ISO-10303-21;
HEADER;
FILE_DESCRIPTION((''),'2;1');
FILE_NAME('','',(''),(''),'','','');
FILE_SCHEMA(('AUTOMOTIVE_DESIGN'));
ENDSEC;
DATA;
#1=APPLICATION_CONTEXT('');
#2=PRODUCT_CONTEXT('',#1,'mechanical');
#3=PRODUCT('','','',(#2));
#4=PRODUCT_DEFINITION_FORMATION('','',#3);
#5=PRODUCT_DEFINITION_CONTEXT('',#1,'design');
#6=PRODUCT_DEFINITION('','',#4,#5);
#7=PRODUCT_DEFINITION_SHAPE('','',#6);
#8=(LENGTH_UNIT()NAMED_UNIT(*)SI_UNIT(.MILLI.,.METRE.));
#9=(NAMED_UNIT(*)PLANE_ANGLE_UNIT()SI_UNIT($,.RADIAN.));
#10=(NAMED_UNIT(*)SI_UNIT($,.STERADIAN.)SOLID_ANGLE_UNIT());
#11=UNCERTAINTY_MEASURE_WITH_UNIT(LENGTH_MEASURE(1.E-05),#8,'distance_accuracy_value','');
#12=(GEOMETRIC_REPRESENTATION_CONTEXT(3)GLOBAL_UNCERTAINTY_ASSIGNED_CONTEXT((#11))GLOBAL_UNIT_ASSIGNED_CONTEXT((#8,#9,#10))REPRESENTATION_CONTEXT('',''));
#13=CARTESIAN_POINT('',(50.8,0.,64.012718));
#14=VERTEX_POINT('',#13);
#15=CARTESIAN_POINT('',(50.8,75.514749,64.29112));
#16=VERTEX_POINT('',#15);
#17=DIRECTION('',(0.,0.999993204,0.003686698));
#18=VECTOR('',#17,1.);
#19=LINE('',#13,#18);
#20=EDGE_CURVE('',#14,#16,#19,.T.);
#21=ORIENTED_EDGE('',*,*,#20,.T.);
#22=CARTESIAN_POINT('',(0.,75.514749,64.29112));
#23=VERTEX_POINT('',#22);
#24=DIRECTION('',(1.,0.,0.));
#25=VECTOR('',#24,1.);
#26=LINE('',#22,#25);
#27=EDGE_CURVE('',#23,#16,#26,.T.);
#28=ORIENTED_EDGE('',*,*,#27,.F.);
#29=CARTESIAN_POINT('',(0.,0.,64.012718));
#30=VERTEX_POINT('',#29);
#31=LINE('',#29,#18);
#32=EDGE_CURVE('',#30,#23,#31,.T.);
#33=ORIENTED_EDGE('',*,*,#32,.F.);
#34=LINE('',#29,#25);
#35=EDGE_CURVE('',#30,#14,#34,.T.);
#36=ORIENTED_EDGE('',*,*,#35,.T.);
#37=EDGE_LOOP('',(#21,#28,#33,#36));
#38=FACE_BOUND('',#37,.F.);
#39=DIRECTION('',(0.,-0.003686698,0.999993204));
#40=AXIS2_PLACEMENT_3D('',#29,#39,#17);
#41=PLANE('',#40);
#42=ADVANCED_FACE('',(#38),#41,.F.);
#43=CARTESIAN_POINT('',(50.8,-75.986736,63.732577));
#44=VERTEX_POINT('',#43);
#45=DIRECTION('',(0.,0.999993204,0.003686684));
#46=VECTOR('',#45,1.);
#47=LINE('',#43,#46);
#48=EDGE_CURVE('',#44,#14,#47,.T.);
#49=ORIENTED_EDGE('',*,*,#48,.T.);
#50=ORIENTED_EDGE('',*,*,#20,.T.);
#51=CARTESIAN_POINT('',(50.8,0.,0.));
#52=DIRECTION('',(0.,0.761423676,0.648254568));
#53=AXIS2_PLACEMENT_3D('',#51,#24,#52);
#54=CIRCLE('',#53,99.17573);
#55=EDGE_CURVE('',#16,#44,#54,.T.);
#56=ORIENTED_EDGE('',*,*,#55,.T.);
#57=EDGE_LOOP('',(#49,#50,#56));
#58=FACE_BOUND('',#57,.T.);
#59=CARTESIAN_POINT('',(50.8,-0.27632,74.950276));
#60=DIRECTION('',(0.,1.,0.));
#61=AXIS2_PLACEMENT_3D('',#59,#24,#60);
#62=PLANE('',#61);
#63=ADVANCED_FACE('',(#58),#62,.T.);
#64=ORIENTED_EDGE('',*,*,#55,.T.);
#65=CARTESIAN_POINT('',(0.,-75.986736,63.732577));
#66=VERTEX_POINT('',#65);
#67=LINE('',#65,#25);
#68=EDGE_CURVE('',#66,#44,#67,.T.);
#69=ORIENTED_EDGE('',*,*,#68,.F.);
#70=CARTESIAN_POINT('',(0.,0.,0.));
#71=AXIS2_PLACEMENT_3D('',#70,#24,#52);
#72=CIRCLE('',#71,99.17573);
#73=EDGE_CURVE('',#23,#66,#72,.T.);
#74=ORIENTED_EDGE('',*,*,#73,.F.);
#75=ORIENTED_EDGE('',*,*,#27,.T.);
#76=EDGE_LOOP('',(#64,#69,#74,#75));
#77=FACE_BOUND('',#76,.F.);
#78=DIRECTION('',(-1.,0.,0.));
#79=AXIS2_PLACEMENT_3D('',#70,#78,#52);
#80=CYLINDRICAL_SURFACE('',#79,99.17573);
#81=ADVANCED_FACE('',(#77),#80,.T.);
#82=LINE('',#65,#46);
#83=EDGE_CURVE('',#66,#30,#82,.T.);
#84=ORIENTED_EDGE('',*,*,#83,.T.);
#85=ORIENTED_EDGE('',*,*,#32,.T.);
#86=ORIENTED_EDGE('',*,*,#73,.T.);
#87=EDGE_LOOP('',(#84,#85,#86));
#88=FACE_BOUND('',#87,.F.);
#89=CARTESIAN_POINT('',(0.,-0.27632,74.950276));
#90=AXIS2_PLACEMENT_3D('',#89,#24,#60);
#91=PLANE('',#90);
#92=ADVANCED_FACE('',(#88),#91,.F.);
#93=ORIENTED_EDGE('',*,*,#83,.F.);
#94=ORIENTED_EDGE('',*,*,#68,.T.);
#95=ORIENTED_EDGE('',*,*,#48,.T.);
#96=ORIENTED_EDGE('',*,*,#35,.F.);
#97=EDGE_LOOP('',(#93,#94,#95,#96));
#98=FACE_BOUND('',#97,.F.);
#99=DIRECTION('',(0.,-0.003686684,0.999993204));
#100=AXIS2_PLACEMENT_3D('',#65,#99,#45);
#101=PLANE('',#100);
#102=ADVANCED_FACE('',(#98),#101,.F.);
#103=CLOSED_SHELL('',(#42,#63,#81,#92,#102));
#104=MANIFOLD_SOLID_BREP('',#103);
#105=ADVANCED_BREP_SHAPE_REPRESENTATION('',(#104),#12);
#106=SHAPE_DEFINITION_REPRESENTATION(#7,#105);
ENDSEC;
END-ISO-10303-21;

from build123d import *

# Parameters (mm, degrees)
F2_DEPTH = 50.8


with BuildPart() as f2:
    # F0 (on Right) → F2 (new body)
    with BuildSketch(Plane.YZ):
        with BuildLine():
            Line((0, 64.012718), (75.514749, 64.29112))
            ThreePointArc((75.514749, 64.29112), (-0.36563, 99.175056), (-75.986736, 63.732577))
            Line((-75.986736, 63.732577), (0, 64.012718))
        make_face()
    extrude(amount=F2_DEPTH)


solid = f2.part
